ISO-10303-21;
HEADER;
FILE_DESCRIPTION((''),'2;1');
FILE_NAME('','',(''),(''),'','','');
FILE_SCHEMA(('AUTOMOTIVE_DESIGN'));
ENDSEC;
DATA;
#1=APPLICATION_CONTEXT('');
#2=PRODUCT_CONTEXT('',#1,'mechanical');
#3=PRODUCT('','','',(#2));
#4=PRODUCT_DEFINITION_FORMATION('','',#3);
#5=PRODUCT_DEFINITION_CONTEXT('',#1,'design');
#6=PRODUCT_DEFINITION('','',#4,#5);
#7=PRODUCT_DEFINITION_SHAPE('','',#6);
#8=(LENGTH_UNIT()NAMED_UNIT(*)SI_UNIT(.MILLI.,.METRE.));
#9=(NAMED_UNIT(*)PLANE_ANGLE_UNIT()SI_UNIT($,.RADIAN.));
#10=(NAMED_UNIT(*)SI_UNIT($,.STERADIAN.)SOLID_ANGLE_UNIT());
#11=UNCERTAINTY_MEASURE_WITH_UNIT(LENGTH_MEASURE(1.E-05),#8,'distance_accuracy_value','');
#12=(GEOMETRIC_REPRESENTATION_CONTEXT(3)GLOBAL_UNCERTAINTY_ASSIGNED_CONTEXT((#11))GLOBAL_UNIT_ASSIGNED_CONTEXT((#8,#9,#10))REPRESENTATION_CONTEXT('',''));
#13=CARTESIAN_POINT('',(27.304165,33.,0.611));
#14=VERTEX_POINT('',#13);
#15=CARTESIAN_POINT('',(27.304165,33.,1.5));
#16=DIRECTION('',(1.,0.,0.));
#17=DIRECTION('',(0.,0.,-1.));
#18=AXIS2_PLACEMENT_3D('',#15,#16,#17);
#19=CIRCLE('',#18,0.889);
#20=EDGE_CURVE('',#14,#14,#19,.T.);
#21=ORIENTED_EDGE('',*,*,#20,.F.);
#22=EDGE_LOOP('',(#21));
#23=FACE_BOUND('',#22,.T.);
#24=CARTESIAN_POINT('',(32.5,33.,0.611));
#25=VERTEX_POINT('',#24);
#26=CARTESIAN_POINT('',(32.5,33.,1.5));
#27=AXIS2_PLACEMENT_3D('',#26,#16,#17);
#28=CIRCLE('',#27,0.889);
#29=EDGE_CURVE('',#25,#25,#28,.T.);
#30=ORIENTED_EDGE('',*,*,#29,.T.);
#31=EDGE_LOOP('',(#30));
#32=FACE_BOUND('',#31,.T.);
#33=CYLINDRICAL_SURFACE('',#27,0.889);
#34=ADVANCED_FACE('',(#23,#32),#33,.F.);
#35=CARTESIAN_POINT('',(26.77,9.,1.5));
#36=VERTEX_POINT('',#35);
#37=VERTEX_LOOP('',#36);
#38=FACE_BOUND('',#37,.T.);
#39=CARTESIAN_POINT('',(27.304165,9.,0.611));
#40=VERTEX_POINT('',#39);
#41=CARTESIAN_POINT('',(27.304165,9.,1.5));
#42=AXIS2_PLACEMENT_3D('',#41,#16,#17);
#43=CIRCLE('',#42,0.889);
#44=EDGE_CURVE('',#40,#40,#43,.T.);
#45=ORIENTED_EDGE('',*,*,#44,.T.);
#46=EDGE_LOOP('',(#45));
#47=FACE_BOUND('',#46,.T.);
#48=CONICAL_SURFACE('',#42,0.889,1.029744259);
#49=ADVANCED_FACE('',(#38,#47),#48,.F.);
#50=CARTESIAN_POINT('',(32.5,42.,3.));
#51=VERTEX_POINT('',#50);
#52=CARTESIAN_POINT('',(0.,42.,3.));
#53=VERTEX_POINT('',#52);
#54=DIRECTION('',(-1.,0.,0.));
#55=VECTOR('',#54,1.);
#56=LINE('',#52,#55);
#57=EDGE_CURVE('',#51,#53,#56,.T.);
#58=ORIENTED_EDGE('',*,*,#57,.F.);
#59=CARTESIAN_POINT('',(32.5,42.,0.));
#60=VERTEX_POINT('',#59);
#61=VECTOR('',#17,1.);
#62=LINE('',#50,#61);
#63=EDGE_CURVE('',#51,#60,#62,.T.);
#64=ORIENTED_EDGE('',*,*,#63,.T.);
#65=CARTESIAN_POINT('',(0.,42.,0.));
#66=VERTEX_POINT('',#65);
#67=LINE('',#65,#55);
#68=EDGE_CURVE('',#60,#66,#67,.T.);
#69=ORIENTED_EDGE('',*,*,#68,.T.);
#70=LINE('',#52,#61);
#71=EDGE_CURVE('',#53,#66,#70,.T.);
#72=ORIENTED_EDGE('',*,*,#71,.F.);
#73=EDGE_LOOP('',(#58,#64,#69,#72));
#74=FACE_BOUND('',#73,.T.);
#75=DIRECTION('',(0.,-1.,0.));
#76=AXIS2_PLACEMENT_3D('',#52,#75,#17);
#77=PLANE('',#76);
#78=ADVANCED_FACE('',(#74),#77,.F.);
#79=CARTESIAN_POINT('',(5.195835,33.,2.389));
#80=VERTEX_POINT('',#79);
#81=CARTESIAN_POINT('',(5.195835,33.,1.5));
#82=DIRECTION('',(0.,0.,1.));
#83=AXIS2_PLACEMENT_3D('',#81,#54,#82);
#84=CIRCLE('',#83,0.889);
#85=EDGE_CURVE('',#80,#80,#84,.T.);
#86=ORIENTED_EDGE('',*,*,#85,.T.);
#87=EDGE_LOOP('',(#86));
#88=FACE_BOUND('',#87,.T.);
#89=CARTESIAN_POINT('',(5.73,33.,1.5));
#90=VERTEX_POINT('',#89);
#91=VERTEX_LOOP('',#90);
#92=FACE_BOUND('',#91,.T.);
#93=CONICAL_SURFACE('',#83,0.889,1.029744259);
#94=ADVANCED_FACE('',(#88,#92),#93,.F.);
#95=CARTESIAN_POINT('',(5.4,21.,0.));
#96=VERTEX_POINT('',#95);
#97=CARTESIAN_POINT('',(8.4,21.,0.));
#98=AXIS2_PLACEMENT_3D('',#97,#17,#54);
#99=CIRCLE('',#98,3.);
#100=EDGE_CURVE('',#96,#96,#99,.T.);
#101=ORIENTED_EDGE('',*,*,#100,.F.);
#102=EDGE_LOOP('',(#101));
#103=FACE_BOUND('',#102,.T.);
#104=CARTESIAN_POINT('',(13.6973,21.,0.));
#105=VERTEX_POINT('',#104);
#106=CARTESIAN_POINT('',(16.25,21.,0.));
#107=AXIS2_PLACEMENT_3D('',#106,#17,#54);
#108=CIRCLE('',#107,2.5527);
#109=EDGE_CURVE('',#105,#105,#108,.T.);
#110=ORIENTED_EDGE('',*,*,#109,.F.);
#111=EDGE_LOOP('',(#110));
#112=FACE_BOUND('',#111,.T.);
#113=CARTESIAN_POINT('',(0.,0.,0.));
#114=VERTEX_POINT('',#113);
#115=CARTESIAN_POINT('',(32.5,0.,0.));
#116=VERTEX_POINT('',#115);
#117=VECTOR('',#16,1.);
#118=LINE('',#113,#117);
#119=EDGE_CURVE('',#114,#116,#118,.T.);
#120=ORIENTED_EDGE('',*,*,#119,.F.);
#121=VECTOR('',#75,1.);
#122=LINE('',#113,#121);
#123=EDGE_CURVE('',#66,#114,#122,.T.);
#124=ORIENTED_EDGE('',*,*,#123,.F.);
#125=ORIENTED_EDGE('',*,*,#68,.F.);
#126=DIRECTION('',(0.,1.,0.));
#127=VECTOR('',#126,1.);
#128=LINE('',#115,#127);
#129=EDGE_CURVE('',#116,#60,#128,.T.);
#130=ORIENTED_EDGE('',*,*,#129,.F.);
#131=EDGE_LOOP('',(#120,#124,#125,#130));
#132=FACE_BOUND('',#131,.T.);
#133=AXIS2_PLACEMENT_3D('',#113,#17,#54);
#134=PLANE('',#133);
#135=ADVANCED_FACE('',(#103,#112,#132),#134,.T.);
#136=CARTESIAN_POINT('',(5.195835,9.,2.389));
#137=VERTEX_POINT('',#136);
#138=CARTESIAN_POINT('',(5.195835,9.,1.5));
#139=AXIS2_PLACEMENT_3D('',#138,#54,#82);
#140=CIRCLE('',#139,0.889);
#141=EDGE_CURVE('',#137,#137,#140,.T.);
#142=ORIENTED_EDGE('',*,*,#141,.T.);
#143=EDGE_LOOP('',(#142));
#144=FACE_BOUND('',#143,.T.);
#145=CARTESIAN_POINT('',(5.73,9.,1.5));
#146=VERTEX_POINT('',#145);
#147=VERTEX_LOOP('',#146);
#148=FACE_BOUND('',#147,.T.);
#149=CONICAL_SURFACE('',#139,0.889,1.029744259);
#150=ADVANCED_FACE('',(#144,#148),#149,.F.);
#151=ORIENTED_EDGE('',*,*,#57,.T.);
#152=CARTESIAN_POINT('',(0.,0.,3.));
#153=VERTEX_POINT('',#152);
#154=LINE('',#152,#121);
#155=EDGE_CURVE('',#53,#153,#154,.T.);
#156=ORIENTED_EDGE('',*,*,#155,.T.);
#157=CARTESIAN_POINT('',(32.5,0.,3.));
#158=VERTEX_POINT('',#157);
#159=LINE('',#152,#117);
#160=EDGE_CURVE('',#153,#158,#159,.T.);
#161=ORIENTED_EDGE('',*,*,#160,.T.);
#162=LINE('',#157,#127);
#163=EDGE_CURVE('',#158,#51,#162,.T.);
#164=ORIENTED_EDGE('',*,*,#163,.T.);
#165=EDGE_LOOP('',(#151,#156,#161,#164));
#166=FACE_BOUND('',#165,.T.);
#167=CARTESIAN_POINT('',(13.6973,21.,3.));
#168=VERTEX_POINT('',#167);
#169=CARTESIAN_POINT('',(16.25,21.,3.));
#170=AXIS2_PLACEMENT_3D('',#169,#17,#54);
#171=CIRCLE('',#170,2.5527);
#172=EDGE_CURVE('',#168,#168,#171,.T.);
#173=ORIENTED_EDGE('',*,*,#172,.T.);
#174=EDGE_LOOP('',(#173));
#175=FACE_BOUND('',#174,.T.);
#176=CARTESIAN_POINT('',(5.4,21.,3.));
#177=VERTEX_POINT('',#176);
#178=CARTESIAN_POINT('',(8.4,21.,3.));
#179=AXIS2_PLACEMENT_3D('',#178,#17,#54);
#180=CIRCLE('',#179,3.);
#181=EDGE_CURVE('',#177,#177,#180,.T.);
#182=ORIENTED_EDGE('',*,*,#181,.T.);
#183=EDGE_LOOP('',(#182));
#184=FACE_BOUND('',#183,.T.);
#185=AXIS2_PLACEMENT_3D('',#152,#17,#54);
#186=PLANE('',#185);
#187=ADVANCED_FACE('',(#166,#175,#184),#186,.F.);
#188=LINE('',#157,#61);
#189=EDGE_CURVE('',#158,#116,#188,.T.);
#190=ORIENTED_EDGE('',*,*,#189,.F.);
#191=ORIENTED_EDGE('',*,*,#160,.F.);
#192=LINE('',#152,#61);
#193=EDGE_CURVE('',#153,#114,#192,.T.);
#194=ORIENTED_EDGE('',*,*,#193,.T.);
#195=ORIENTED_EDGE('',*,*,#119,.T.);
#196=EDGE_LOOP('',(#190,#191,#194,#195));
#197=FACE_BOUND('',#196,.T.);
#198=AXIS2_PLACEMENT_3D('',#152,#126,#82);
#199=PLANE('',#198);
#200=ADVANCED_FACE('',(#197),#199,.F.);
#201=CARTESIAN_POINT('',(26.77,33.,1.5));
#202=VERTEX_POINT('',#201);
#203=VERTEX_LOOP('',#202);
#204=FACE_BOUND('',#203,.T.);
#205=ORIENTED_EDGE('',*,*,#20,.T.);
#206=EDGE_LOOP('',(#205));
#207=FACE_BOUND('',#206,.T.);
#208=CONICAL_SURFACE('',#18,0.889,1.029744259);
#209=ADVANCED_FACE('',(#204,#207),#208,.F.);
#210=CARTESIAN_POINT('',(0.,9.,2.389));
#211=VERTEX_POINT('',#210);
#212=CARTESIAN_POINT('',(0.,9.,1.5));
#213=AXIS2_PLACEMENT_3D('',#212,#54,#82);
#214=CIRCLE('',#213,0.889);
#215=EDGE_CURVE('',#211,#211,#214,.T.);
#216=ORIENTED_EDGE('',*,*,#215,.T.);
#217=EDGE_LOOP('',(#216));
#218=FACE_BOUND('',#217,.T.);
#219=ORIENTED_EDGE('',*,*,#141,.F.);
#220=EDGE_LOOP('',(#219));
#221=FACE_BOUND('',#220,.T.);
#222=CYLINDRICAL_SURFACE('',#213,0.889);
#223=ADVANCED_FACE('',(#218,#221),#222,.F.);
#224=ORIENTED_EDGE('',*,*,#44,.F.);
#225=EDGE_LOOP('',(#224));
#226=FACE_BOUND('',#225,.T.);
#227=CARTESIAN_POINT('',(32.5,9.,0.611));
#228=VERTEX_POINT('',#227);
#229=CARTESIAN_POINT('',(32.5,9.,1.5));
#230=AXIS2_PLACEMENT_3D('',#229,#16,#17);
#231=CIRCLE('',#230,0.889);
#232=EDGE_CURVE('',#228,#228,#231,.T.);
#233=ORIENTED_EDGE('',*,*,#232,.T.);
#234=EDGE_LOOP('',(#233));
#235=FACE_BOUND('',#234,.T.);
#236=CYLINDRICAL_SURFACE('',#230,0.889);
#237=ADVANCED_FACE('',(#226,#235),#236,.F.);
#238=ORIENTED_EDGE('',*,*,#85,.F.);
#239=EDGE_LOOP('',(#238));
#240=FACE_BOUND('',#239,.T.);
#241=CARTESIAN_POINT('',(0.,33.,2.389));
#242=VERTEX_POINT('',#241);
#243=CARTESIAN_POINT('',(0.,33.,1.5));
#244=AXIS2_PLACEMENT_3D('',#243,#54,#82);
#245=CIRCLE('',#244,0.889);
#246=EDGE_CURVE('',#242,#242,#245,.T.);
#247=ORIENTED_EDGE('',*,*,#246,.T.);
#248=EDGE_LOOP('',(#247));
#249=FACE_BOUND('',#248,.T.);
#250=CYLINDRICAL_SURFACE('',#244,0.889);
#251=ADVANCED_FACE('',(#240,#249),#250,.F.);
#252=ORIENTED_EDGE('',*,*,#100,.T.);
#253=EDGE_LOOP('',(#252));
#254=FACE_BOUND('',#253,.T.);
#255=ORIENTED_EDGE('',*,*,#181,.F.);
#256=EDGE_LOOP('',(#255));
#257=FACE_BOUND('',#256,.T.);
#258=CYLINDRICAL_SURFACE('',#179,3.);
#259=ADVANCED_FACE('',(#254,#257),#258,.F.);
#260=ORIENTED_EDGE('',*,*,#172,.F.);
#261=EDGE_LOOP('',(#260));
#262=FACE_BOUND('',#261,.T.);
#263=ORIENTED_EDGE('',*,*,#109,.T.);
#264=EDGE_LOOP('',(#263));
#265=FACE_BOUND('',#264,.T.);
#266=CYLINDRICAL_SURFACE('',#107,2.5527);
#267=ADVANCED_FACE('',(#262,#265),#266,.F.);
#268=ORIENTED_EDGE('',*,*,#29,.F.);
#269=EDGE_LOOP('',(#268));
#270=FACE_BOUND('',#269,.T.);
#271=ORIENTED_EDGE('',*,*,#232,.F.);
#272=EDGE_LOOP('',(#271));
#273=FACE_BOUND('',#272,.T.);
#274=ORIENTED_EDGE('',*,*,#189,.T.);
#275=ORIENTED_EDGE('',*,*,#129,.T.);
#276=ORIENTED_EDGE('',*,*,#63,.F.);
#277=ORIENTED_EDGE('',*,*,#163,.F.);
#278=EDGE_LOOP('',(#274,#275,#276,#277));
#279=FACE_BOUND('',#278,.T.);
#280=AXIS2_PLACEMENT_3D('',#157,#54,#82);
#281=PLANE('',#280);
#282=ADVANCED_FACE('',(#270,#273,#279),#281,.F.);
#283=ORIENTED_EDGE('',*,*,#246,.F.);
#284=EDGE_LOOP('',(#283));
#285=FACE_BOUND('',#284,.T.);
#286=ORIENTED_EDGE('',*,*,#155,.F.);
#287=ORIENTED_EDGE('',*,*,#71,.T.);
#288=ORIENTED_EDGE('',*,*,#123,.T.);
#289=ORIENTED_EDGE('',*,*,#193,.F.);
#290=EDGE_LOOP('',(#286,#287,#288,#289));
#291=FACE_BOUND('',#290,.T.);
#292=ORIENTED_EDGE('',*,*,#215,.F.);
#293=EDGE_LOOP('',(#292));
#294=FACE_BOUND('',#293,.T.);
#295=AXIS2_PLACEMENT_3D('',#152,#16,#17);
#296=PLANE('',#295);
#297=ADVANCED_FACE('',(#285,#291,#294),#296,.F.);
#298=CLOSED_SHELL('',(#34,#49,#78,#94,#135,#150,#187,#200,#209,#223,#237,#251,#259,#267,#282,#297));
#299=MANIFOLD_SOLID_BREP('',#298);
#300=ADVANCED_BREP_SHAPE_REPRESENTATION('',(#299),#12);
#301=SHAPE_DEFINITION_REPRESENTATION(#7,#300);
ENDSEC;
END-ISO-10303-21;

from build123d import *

# Parameters (mm, degrees)
SKETCH1_W                 = 32.5
SKETCH1_H                 = 42
BOSS_EXTRUDE2_DEPTH       = 3
F_2_56_TAPPED_HOLE1_D     = 1.778
F_2_56_TAPPED_HOLE1_DEPTH = 5.19583491
F_2_56_TAPPED_HOLE1_TIP   = 0.53416509
F_2_56_TAPPED_HOLE2_D     = 1.778
F_2_56_TAPPED_HOLE2_DEPTH = 5.19583491
F_2_56_TAPPED_HOLE2_TIP   = 0.53416509
CUT_EXTRUDE1_DEPTH        = 3
F_1_4_20_TAPPED_HOLE1_D   = 5.1054


with BuildPart() as part:
    # Sketch1 → Boss-Extrude2 (new body)
    with BuildSketch(Plane.XY):
        with Locations((16.25, 21)):
            Rectangle(SKETCH1_W, SKETCH1_H)
    extrude(amount=BOSS_EXTRUDE2_DEPTH)

    # #2-56 Tapped Hole1
    with Locations(Plane.ZY):
        with Locations((1.5, 33), (1.5, 9)):
            Hole(F_2_56_TAPPED_HOLE1_D / 2, depth=F_2_56_TAPPED_HOLE1_DEPTH)
            with Locations((0, 0, -(F_2_56_TAPPED_HOLE1_DEPTH + F_2_56_TAPPED_HOLE1_TIP / 2))):  # 118° drill point
                Cone(0, F_2_56_TAPPED_HOLE1_D / 2, F_2_56_TAPPED_HOLE1_TIP, mode=Mode.SUBTRACT)

    # #2-56 Tapped Hole2
    with Locations(Plane(origin=(32.5, 0, 0), x_dir=(0, 0, -1), z_dir=(1, 0, 0))):
        with Locations((-1.5, 33), (-1.5, 9)):
            Hole(F_2_56_TAPPED_HOLE2_D / 2, depth=F_2_56_TAPPED_HOLE2_DEPTH)
            with Locations((0, 0, -(F_2_56_TAPPED_HOLE2_DEPTH + F_2_56_TAPPED_HOLE2_TIP / 2))):  # 118° drill point
                Cone(0, F_2_56_TAPPED_HOLE2_D / 2, F_2_56_TAPPED_HOLE2_TIP, mode=Mode.SUBTRACT)

    # Sketch9 → Cut-Extrude1 (cut)
    with BuildSketch(Plane(origin=(0, 0, 0), x_dir=(-1, 0, 0), z_dir=(0, 0, -1))):
        with BuildLine():
            ThreePointArc((-11.4, 21), (-8.4, 18), (-5.4, 21))
            Line((-5.4, 21), (-8.4, 21))
            Line((-8.4, 21), (-11.4, 21))
        make_face()
        with BuildLine():
            Line((-8.4, 21), (-5.4, 21))
            ThreePointArc((-5.4, 21), (-8.4, 24), (-11.4, 21))
            Line((-11.4, 21), (-8.4, 21))
        make_face()
    extrude(amount=-CUT_EXTRUDE1_DEPTH, mode=Mode.SUBTRACT)

    # 1/4-20 Tapped Hole1 (through all)
    with Locations(Plane(origin=(0, 0, 0), x_dir=(-1, 0, 0), z_dir=(0, 0, -1))):
        with Locations((-16.25, 21)):
            Hole(F_1_4_20_TAPPED_HOLE1_D / 2)


solid = part.part
